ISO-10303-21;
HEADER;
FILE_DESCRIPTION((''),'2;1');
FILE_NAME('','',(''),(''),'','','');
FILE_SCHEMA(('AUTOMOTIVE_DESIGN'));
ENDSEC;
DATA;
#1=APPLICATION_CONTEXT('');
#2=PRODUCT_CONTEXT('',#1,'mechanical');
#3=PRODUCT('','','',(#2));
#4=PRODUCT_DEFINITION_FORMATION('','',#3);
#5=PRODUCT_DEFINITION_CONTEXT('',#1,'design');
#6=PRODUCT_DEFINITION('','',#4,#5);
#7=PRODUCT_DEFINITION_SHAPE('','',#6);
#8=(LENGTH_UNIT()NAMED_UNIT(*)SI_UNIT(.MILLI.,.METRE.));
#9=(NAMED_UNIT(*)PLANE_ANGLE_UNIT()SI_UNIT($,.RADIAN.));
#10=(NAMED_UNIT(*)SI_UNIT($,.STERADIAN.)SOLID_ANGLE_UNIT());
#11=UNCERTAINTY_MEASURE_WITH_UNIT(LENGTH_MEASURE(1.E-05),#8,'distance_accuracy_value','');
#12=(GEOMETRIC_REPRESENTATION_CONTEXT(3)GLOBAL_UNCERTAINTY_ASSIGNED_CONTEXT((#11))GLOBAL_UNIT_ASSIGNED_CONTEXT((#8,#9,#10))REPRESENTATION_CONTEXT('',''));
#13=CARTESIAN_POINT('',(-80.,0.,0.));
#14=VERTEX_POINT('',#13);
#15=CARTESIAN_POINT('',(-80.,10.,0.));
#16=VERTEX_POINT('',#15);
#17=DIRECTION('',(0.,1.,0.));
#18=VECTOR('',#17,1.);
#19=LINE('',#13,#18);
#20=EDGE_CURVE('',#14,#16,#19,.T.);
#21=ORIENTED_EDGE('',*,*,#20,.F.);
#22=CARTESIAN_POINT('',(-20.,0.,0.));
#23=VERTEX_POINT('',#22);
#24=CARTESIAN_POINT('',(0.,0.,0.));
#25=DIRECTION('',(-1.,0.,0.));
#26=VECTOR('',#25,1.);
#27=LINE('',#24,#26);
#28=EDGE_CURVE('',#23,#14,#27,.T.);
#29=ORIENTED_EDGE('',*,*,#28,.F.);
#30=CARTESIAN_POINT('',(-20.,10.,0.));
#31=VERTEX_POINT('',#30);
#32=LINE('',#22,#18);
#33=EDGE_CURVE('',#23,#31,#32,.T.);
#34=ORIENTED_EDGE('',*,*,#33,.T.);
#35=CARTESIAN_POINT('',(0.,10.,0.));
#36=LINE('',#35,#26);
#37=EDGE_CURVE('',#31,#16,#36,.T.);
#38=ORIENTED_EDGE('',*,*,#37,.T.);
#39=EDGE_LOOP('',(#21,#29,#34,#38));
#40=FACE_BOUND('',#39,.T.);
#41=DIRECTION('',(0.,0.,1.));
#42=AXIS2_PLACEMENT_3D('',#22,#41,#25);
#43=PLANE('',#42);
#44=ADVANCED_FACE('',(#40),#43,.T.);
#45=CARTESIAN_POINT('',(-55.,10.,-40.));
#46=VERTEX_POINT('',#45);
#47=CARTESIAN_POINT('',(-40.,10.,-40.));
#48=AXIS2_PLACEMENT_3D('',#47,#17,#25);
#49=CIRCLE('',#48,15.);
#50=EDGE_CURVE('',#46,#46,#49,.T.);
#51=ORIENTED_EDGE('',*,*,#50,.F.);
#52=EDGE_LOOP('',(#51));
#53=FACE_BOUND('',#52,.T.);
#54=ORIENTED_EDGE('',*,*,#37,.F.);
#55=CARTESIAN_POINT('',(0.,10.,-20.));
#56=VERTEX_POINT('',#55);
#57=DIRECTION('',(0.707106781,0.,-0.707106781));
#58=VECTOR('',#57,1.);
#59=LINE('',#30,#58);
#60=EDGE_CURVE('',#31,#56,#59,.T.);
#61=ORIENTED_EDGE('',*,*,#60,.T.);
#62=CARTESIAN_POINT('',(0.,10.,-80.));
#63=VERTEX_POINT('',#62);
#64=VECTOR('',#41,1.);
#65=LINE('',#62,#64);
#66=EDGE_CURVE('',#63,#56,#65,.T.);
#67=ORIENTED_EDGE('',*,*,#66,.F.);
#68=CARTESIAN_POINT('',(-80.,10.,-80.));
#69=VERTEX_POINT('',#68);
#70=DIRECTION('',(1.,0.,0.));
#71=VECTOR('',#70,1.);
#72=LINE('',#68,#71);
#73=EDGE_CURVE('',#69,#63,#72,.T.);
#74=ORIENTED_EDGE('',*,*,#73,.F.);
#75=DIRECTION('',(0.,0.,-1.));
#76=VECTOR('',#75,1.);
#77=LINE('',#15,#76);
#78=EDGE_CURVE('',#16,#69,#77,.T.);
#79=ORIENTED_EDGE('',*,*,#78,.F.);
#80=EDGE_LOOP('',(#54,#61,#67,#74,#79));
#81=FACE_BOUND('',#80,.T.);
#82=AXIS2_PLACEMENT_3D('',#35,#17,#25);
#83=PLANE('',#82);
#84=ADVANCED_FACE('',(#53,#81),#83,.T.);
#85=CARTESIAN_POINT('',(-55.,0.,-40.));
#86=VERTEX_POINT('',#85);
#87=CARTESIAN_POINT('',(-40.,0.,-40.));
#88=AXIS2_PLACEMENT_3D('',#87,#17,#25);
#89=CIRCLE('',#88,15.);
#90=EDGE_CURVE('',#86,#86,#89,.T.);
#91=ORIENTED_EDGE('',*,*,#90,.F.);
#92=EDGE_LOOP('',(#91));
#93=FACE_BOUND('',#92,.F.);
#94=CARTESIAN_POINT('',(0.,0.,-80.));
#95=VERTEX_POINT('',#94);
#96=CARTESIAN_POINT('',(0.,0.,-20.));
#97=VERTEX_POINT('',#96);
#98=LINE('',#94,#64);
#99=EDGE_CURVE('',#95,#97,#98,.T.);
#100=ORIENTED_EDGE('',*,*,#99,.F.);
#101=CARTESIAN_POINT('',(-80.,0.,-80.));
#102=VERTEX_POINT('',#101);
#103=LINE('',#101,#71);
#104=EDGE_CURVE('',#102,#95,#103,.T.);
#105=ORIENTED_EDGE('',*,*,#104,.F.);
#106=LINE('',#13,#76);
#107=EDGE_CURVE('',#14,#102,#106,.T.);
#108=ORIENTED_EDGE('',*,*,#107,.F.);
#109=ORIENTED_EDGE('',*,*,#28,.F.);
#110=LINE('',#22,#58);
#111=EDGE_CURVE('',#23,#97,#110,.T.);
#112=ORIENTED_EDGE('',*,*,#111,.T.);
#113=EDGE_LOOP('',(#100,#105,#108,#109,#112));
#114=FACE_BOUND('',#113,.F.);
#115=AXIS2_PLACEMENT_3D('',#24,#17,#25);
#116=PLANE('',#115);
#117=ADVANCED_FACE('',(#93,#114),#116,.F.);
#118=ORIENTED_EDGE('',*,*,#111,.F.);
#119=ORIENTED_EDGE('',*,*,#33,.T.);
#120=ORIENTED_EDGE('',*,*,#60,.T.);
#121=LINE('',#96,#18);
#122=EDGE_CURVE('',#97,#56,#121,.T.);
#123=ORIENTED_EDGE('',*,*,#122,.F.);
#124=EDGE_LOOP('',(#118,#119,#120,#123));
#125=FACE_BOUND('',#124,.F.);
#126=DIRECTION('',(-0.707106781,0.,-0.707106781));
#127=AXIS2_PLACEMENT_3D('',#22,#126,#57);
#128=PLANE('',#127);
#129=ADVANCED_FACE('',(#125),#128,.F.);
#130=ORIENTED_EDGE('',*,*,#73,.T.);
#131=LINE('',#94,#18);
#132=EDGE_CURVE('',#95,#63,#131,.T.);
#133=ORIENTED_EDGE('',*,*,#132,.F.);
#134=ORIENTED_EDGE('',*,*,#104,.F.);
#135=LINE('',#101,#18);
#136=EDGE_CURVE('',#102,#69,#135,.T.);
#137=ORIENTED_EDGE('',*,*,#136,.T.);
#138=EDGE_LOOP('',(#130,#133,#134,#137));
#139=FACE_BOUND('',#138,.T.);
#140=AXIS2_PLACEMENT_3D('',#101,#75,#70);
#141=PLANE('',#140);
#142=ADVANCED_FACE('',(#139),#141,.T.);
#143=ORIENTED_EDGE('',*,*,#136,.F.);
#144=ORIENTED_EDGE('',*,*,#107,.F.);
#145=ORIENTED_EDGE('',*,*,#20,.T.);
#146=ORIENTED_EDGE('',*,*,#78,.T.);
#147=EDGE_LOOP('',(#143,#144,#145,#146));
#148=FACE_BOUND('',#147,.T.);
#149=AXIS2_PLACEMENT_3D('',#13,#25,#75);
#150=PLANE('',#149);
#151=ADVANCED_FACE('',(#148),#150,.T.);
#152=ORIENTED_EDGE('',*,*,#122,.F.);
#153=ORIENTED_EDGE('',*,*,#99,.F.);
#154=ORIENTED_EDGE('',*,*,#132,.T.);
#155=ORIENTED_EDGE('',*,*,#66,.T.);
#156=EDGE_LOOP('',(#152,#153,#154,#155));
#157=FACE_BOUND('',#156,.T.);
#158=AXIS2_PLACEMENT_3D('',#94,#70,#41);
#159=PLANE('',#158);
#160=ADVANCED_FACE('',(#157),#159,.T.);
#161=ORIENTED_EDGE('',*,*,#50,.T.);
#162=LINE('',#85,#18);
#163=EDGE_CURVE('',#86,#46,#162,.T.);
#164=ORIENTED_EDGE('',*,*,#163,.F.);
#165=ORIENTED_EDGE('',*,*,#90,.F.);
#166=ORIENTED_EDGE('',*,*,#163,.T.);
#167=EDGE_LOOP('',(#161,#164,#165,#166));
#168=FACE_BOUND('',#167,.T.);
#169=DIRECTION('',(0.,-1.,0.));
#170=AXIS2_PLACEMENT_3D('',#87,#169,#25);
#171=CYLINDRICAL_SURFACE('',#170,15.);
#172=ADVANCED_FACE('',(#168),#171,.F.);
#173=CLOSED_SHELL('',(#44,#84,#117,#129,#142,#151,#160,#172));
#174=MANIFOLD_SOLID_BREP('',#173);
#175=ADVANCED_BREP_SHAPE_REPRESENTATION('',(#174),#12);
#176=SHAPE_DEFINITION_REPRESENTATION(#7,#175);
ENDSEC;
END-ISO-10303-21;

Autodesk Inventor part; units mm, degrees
ref_plane "YZ Plane" through (0, 0, 0) normal (1, 0, 0) x (0, 1, 0)
ref_plane "XZ Plane" through (0, 0, 0) normal (0, 1, 0) x (-1, 0, 0)
ref_plane "XY Plane" through (0, 0, 0) normal (0, 0, 1) x (1, 0, 0)
sketch "Szkic1" plane through (0, 0, 0) normal (0, 1, 0) x (-1, 0, 0)
  point P0 (0, 0)
sketch "Szkic2" plane through (0, 0, 0) normal (0, 1, 0) x (-1, 0, 0)
  line L0 (0, 0) -> (80, 0)
  line L1 (80, 0) -> (80, -80)
  line L2 (80, -80) -> (0, -80)
  line L3 (0, -80) -> (0, 0)
  circle A0 centre (40, -40) radius 15
  line L4 (20, 0) -> (0, -20)
  dimension "d0" = 80
  dimension "d1" = 80
  dimension "d2" = 30
  dimension "d3" = 40
  dimension "d4" = 40
  dimension "d5" = 20
  dimension "d6" = 20
extrude "Wyciągnięcie proste1" add sketch "Szkic2" along normal blind 10 contours L0 L1 L2 L3 L4
properties part number "Test"
